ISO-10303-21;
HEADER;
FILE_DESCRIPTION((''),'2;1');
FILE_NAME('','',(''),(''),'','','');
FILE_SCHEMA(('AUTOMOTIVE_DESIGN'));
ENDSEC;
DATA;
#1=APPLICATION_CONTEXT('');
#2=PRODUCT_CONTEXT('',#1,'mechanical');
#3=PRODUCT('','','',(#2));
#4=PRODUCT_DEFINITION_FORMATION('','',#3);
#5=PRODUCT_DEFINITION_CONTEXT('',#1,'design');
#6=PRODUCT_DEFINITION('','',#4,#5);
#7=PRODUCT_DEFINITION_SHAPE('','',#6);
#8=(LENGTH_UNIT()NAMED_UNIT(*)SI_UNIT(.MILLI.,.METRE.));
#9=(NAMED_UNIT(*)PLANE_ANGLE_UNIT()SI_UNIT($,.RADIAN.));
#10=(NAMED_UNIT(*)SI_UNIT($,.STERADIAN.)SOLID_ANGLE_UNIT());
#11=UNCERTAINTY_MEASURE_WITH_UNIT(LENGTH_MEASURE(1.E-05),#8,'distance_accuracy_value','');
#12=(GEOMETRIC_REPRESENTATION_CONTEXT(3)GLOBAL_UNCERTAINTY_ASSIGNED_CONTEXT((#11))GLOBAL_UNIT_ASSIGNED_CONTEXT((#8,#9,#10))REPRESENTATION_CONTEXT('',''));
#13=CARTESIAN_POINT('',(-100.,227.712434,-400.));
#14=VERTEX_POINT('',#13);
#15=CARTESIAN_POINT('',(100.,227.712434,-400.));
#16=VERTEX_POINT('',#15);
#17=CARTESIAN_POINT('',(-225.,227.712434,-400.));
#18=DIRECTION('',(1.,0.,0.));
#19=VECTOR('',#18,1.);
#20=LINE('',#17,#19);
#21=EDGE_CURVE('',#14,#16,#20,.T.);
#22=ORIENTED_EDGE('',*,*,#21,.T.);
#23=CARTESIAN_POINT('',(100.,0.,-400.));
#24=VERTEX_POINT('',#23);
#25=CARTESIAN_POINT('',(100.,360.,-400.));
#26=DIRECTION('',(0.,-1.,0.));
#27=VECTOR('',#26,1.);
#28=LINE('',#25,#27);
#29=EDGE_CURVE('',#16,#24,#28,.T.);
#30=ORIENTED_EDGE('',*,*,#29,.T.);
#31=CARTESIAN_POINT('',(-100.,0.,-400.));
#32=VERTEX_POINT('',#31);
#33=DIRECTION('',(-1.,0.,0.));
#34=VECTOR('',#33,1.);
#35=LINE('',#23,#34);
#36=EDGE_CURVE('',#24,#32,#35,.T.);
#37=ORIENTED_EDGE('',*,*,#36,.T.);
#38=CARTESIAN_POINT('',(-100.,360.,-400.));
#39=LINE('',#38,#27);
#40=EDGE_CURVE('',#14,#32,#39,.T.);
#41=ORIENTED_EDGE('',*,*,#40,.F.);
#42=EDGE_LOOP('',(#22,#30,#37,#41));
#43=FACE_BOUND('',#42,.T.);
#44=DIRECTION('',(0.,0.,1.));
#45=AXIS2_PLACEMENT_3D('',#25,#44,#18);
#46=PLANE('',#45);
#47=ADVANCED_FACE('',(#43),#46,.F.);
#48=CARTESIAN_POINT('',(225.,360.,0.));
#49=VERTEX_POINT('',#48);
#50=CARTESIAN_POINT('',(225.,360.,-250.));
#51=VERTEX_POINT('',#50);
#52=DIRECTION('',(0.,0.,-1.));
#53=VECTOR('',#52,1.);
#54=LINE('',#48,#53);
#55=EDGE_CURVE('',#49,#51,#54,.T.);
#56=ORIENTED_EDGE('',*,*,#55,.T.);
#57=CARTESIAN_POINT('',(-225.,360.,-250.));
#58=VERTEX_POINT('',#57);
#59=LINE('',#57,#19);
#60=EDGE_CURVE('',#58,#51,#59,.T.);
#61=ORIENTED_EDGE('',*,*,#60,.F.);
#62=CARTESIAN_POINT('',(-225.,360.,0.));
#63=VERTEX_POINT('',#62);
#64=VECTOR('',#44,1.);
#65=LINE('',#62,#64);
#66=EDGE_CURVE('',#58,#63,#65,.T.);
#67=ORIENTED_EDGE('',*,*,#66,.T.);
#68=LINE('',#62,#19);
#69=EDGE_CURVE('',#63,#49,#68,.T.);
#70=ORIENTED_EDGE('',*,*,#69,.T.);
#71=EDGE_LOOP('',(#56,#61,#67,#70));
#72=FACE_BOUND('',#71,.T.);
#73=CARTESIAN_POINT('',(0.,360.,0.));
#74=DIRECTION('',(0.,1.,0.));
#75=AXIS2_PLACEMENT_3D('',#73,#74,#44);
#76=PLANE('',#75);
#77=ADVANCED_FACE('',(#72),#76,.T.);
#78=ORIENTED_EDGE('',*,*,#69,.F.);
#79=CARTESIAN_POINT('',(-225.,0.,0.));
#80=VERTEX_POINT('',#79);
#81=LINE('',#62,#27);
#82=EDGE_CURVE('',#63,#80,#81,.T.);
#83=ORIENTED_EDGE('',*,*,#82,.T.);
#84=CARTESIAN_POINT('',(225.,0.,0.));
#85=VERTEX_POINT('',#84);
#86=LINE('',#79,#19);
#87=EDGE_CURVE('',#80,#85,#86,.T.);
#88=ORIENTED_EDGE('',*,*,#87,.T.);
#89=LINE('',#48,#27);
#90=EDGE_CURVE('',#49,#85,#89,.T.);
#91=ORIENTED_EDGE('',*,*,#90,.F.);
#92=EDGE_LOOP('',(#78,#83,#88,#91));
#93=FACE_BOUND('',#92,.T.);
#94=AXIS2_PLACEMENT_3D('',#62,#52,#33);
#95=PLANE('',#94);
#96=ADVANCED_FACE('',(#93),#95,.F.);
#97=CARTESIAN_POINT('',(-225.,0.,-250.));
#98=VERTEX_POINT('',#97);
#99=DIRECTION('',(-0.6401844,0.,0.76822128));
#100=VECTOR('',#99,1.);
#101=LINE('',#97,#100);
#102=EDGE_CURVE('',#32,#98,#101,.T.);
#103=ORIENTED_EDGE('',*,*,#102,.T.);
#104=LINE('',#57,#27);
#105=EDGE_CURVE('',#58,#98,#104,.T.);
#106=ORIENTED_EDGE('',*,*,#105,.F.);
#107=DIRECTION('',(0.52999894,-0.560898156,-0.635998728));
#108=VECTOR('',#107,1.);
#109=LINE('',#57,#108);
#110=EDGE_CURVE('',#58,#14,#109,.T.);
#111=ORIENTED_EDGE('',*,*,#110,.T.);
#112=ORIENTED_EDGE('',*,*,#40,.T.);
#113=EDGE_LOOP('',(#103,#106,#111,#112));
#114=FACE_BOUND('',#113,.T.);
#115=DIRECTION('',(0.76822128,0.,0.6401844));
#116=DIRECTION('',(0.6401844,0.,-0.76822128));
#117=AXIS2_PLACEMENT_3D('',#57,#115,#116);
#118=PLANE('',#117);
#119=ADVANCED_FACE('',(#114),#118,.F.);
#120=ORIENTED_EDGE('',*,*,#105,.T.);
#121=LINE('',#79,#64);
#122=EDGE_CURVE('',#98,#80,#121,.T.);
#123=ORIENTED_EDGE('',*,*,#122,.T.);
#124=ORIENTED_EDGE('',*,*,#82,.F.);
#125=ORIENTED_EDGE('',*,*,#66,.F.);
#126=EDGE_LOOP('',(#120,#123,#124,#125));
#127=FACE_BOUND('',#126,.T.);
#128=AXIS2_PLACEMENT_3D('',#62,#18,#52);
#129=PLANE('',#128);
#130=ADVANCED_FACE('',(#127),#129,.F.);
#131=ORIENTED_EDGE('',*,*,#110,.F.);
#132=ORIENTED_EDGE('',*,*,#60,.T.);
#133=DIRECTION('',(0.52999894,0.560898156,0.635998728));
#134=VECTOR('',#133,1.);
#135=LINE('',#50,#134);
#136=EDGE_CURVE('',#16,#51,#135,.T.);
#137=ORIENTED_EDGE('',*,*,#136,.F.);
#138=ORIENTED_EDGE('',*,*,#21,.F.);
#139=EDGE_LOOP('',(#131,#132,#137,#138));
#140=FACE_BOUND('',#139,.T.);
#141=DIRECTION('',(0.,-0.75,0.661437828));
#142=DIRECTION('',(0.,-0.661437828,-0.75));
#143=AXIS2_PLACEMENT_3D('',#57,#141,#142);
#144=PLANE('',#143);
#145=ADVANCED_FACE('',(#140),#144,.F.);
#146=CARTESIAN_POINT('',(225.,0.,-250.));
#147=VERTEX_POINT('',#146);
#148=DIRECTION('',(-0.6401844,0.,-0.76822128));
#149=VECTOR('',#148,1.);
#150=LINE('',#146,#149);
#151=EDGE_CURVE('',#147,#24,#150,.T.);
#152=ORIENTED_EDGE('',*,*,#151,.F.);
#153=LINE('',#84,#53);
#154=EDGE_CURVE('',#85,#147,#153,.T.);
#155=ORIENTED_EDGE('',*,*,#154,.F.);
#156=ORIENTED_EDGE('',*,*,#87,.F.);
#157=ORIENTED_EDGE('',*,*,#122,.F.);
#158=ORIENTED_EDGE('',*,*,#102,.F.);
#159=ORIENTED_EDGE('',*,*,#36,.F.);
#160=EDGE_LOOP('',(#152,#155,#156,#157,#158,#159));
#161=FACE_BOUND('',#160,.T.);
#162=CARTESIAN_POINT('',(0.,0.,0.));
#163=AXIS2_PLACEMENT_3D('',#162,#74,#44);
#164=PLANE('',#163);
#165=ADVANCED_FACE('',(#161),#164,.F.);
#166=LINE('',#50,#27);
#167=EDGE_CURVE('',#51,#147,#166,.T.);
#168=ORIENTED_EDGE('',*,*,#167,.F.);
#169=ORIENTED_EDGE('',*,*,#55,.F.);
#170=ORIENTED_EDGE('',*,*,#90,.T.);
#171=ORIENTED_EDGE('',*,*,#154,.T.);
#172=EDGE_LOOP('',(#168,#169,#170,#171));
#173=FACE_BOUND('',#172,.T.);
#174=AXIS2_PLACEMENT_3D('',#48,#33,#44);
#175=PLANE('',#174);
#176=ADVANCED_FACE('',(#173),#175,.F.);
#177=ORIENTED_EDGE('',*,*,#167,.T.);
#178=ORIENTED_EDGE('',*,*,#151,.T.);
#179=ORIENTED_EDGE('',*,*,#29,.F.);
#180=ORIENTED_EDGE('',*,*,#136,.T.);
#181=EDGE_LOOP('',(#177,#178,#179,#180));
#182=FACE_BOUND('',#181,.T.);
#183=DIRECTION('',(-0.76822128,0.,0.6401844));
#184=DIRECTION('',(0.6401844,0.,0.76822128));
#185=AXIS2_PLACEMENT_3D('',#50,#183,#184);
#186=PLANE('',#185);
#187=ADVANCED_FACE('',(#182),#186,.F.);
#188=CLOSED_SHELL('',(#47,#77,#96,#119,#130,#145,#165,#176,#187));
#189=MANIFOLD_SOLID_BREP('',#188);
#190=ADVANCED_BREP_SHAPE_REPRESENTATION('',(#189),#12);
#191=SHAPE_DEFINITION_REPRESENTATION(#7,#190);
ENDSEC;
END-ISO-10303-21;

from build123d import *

# Parameters (mm, degrees)
EXTRUDE_1_DEPTH     = 360
CUT_EXTRUDE_1_DEPTH = 702.498396292


with BuildPart() as part:
    # 草图1 → 凸台-拉伸1 (new body)
    with BuildSketch(Plane(origin=(0, 0, 0), x_dir=(1, 0, 0), z_dir=(0, 1, 0))):
        Polygon((-225, 0), (225, 0), (225, 250), (100, 400), (-100, 400), (-225, 250), align=None)
    extrude(amount=EXTRUDE_1_DEPTH)

    # 草图2 → 切除-拉伸1 (cut, through all)
    with BuildSketch(Plane(origin=(225, 0, 0), x_dir=(0, 0, -1), z_dir=(1, 0, 0))):
        Polygon((250, 360), (400, 227.712434447), (400, 360), align=None)
    extrude(amount=-CUT_EXTRUDE_1_DEPTH, mode=Mode.SUBTRACT)


solid = part.part
